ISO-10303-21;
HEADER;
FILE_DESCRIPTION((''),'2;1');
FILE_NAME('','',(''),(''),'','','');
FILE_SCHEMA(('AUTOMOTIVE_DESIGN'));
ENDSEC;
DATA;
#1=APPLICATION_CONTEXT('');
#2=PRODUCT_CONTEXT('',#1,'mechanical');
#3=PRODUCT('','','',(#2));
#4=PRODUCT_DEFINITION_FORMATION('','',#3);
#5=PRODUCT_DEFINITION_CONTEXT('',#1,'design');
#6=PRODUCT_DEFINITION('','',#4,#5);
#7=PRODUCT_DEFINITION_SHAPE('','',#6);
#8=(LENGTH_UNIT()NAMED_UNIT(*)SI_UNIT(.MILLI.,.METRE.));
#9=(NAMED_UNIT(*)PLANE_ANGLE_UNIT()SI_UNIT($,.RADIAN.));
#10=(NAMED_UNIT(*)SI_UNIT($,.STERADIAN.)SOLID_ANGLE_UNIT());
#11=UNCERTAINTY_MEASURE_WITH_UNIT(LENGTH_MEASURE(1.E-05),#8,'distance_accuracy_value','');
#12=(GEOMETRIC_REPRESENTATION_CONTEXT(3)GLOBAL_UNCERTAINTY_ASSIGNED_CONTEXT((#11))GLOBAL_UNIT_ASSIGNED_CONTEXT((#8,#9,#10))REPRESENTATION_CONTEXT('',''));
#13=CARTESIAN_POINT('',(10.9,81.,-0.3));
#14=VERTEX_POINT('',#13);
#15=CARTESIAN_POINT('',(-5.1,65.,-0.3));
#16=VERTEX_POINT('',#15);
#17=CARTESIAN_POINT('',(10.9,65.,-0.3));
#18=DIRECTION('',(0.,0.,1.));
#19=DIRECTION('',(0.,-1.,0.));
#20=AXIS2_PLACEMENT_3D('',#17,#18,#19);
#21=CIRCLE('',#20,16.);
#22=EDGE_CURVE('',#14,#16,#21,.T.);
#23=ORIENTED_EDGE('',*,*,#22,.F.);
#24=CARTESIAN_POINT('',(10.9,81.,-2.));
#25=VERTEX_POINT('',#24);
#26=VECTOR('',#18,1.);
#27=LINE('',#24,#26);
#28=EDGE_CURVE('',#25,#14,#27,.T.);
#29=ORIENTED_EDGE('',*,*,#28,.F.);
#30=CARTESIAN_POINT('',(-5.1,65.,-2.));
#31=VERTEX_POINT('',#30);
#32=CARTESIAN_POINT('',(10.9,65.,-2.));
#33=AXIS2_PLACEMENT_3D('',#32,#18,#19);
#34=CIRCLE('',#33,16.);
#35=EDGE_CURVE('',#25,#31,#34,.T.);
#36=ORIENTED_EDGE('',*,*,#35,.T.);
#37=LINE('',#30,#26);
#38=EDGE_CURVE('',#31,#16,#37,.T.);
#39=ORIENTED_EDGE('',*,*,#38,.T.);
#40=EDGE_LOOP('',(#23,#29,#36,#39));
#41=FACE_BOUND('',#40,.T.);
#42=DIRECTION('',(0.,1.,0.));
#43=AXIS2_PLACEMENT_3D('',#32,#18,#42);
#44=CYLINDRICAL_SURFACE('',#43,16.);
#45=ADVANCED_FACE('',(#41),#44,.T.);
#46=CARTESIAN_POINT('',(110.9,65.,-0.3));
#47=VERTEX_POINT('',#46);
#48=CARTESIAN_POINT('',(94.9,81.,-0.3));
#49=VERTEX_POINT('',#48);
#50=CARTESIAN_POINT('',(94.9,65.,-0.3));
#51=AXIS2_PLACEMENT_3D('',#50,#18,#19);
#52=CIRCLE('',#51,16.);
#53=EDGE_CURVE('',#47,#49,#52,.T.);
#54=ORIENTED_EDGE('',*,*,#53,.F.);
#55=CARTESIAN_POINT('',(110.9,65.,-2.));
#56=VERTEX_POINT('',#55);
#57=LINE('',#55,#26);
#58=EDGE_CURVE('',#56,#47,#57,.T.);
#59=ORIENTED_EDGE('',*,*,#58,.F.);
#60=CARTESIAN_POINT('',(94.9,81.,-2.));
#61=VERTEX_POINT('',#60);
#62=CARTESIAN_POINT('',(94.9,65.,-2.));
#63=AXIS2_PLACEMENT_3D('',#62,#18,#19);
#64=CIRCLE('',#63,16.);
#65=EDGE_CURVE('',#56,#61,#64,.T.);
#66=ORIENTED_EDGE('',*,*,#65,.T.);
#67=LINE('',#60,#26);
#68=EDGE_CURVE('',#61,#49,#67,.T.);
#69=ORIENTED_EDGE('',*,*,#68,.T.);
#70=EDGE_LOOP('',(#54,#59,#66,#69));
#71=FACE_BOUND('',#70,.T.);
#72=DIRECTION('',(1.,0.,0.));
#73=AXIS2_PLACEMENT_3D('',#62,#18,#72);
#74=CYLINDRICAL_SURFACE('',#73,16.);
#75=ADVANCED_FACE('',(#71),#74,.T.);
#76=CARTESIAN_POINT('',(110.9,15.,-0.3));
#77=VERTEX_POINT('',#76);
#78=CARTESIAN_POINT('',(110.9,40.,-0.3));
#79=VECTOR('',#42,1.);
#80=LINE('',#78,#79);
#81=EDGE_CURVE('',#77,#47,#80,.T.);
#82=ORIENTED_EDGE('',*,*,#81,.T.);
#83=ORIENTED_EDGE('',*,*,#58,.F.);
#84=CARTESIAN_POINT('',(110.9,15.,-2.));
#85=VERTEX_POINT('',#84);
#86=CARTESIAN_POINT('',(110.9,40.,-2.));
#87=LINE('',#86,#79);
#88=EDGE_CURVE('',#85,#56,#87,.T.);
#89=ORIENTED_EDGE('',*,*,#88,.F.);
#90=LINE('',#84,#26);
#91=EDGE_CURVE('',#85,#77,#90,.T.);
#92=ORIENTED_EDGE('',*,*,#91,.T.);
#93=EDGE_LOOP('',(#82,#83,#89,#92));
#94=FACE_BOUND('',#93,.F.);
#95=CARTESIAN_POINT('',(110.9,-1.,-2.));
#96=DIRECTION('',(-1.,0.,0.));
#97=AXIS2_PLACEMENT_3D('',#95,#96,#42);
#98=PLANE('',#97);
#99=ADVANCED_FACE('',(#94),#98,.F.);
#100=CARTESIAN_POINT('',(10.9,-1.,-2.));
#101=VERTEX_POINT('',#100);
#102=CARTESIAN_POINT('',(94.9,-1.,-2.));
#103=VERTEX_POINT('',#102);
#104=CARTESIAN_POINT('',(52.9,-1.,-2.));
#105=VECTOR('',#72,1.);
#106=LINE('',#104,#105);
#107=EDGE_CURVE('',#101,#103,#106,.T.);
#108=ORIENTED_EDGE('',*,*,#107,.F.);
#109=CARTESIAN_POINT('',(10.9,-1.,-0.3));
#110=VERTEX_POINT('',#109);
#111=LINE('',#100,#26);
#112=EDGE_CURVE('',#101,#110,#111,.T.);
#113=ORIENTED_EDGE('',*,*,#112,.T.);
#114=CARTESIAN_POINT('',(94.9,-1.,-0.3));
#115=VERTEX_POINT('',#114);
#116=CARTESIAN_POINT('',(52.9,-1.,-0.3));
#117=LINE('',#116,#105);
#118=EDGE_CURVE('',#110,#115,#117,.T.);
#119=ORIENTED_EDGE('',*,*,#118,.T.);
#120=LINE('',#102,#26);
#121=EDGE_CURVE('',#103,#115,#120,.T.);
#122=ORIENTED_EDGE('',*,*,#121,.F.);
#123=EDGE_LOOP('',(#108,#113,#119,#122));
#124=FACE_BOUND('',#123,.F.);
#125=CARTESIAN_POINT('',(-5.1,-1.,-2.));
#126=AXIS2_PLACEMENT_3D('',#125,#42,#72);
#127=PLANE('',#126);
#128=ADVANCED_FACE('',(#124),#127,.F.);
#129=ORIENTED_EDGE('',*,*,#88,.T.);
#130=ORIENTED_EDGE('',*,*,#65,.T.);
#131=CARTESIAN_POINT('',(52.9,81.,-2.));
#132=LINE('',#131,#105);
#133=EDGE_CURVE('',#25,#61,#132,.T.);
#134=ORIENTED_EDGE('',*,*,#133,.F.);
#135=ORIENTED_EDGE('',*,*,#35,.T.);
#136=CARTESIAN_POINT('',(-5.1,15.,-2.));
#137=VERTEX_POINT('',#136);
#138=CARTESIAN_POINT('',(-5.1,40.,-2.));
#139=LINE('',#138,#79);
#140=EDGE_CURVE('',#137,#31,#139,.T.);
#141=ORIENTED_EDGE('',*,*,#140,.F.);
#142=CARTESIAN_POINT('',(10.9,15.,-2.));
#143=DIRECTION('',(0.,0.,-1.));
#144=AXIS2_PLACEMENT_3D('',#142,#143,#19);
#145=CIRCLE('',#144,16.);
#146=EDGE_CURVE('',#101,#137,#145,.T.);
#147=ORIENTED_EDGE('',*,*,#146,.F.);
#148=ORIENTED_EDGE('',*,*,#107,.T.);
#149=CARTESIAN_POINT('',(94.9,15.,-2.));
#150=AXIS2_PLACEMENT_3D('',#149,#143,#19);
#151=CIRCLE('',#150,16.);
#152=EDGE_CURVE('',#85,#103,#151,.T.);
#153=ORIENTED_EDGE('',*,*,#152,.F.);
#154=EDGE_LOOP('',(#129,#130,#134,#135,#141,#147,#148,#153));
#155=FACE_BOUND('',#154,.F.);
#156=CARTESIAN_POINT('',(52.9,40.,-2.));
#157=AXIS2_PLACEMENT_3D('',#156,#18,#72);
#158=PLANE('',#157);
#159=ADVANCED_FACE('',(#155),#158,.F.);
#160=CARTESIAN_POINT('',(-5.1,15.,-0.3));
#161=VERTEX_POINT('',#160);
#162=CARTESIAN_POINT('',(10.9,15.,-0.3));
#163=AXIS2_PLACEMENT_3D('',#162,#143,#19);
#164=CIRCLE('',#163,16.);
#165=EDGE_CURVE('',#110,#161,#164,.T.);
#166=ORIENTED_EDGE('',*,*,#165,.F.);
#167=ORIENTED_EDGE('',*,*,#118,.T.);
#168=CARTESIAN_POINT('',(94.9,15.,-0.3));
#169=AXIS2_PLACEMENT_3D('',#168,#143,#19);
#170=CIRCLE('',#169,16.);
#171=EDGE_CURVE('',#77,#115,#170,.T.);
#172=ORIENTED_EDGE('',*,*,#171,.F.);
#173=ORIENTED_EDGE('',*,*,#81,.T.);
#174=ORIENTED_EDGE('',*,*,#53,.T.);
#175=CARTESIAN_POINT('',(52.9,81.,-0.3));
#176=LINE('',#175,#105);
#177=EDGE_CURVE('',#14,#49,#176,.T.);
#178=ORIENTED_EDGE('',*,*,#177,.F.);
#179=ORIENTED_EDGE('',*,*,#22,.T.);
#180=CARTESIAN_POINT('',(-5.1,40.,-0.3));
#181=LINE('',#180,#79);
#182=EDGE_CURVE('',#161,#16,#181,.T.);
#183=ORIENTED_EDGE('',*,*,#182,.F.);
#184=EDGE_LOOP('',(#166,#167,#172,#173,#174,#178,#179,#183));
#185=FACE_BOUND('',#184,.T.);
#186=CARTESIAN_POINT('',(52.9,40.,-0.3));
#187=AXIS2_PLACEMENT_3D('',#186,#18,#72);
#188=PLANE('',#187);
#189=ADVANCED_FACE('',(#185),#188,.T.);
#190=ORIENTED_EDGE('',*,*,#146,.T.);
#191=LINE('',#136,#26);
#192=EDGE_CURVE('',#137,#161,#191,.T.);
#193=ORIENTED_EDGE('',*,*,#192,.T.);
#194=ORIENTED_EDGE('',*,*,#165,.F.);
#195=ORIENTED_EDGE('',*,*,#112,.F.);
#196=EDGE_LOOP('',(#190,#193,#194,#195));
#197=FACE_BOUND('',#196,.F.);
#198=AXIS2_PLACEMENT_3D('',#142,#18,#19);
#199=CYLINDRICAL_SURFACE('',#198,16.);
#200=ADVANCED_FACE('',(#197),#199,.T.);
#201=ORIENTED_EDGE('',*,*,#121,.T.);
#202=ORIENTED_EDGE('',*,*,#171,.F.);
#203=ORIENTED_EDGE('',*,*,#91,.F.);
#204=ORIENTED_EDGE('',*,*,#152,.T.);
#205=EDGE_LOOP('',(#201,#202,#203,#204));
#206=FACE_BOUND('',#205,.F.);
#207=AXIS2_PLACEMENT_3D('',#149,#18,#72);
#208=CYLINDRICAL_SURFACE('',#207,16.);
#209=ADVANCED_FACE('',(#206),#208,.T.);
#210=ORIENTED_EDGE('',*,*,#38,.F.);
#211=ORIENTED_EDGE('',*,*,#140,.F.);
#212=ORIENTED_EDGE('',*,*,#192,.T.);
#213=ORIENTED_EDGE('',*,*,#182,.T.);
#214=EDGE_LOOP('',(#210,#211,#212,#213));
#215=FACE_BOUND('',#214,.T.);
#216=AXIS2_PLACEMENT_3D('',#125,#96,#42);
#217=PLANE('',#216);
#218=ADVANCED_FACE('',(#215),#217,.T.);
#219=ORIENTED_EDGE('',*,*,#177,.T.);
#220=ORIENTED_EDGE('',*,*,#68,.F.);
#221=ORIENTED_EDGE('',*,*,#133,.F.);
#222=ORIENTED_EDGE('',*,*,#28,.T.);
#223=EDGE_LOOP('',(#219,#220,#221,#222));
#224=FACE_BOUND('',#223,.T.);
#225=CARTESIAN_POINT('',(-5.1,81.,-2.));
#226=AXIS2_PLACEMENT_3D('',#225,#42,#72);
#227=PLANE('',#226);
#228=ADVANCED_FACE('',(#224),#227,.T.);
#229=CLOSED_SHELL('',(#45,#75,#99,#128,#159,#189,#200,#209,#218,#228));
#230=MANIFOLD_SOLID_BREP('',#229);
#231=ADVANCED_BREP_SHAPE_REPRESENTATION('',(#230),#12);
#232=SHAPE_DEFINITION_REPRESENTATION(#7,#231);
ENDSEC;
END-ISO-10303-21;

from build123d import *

# Parameters (mm, degrees)
BOX020_W     = 116
BOX020_H     = 82
BOX020_DEPTH = 1.7
FILLET_R     = 16
FILLET029_R  = 16


with BuildPart() as part:
    # Box020 → Box020 (new body)
    with BuildSketch(Plane(origin=(-5.1, -1, -12), x_dir=(1, 0, 0), z_dir=(0, 0, 1))):
        with Locations((58, 41)):
            Rectangle(BOX020_W, BOX020_H)
    extrude(amount=BOX020_DEPTH)

    # Fillet
    fillet_edges = [part.edges().sort_by_distance(p)[0] for p in [
        (110.9, 81, -11.15),
    ]]
    fillet(fillet_edges, radius=FILLET_R)

    # Fillet029
    fillet029_edges = [part.edges().sort_by_distance(p)[0] for p in [
        (110.9, -1, -11.15),
        (-5.1, -1, -11.15),
        (-5.1, 81, -11.15),
    ]]
    fillet(fillet029_edges, radius=FILLET029_R)


with BuildPart() as part_1:
    # Fillet029 placement: moved
    add(part.part.moved(Location((0, 0, 10))))


solid = part_1.part
